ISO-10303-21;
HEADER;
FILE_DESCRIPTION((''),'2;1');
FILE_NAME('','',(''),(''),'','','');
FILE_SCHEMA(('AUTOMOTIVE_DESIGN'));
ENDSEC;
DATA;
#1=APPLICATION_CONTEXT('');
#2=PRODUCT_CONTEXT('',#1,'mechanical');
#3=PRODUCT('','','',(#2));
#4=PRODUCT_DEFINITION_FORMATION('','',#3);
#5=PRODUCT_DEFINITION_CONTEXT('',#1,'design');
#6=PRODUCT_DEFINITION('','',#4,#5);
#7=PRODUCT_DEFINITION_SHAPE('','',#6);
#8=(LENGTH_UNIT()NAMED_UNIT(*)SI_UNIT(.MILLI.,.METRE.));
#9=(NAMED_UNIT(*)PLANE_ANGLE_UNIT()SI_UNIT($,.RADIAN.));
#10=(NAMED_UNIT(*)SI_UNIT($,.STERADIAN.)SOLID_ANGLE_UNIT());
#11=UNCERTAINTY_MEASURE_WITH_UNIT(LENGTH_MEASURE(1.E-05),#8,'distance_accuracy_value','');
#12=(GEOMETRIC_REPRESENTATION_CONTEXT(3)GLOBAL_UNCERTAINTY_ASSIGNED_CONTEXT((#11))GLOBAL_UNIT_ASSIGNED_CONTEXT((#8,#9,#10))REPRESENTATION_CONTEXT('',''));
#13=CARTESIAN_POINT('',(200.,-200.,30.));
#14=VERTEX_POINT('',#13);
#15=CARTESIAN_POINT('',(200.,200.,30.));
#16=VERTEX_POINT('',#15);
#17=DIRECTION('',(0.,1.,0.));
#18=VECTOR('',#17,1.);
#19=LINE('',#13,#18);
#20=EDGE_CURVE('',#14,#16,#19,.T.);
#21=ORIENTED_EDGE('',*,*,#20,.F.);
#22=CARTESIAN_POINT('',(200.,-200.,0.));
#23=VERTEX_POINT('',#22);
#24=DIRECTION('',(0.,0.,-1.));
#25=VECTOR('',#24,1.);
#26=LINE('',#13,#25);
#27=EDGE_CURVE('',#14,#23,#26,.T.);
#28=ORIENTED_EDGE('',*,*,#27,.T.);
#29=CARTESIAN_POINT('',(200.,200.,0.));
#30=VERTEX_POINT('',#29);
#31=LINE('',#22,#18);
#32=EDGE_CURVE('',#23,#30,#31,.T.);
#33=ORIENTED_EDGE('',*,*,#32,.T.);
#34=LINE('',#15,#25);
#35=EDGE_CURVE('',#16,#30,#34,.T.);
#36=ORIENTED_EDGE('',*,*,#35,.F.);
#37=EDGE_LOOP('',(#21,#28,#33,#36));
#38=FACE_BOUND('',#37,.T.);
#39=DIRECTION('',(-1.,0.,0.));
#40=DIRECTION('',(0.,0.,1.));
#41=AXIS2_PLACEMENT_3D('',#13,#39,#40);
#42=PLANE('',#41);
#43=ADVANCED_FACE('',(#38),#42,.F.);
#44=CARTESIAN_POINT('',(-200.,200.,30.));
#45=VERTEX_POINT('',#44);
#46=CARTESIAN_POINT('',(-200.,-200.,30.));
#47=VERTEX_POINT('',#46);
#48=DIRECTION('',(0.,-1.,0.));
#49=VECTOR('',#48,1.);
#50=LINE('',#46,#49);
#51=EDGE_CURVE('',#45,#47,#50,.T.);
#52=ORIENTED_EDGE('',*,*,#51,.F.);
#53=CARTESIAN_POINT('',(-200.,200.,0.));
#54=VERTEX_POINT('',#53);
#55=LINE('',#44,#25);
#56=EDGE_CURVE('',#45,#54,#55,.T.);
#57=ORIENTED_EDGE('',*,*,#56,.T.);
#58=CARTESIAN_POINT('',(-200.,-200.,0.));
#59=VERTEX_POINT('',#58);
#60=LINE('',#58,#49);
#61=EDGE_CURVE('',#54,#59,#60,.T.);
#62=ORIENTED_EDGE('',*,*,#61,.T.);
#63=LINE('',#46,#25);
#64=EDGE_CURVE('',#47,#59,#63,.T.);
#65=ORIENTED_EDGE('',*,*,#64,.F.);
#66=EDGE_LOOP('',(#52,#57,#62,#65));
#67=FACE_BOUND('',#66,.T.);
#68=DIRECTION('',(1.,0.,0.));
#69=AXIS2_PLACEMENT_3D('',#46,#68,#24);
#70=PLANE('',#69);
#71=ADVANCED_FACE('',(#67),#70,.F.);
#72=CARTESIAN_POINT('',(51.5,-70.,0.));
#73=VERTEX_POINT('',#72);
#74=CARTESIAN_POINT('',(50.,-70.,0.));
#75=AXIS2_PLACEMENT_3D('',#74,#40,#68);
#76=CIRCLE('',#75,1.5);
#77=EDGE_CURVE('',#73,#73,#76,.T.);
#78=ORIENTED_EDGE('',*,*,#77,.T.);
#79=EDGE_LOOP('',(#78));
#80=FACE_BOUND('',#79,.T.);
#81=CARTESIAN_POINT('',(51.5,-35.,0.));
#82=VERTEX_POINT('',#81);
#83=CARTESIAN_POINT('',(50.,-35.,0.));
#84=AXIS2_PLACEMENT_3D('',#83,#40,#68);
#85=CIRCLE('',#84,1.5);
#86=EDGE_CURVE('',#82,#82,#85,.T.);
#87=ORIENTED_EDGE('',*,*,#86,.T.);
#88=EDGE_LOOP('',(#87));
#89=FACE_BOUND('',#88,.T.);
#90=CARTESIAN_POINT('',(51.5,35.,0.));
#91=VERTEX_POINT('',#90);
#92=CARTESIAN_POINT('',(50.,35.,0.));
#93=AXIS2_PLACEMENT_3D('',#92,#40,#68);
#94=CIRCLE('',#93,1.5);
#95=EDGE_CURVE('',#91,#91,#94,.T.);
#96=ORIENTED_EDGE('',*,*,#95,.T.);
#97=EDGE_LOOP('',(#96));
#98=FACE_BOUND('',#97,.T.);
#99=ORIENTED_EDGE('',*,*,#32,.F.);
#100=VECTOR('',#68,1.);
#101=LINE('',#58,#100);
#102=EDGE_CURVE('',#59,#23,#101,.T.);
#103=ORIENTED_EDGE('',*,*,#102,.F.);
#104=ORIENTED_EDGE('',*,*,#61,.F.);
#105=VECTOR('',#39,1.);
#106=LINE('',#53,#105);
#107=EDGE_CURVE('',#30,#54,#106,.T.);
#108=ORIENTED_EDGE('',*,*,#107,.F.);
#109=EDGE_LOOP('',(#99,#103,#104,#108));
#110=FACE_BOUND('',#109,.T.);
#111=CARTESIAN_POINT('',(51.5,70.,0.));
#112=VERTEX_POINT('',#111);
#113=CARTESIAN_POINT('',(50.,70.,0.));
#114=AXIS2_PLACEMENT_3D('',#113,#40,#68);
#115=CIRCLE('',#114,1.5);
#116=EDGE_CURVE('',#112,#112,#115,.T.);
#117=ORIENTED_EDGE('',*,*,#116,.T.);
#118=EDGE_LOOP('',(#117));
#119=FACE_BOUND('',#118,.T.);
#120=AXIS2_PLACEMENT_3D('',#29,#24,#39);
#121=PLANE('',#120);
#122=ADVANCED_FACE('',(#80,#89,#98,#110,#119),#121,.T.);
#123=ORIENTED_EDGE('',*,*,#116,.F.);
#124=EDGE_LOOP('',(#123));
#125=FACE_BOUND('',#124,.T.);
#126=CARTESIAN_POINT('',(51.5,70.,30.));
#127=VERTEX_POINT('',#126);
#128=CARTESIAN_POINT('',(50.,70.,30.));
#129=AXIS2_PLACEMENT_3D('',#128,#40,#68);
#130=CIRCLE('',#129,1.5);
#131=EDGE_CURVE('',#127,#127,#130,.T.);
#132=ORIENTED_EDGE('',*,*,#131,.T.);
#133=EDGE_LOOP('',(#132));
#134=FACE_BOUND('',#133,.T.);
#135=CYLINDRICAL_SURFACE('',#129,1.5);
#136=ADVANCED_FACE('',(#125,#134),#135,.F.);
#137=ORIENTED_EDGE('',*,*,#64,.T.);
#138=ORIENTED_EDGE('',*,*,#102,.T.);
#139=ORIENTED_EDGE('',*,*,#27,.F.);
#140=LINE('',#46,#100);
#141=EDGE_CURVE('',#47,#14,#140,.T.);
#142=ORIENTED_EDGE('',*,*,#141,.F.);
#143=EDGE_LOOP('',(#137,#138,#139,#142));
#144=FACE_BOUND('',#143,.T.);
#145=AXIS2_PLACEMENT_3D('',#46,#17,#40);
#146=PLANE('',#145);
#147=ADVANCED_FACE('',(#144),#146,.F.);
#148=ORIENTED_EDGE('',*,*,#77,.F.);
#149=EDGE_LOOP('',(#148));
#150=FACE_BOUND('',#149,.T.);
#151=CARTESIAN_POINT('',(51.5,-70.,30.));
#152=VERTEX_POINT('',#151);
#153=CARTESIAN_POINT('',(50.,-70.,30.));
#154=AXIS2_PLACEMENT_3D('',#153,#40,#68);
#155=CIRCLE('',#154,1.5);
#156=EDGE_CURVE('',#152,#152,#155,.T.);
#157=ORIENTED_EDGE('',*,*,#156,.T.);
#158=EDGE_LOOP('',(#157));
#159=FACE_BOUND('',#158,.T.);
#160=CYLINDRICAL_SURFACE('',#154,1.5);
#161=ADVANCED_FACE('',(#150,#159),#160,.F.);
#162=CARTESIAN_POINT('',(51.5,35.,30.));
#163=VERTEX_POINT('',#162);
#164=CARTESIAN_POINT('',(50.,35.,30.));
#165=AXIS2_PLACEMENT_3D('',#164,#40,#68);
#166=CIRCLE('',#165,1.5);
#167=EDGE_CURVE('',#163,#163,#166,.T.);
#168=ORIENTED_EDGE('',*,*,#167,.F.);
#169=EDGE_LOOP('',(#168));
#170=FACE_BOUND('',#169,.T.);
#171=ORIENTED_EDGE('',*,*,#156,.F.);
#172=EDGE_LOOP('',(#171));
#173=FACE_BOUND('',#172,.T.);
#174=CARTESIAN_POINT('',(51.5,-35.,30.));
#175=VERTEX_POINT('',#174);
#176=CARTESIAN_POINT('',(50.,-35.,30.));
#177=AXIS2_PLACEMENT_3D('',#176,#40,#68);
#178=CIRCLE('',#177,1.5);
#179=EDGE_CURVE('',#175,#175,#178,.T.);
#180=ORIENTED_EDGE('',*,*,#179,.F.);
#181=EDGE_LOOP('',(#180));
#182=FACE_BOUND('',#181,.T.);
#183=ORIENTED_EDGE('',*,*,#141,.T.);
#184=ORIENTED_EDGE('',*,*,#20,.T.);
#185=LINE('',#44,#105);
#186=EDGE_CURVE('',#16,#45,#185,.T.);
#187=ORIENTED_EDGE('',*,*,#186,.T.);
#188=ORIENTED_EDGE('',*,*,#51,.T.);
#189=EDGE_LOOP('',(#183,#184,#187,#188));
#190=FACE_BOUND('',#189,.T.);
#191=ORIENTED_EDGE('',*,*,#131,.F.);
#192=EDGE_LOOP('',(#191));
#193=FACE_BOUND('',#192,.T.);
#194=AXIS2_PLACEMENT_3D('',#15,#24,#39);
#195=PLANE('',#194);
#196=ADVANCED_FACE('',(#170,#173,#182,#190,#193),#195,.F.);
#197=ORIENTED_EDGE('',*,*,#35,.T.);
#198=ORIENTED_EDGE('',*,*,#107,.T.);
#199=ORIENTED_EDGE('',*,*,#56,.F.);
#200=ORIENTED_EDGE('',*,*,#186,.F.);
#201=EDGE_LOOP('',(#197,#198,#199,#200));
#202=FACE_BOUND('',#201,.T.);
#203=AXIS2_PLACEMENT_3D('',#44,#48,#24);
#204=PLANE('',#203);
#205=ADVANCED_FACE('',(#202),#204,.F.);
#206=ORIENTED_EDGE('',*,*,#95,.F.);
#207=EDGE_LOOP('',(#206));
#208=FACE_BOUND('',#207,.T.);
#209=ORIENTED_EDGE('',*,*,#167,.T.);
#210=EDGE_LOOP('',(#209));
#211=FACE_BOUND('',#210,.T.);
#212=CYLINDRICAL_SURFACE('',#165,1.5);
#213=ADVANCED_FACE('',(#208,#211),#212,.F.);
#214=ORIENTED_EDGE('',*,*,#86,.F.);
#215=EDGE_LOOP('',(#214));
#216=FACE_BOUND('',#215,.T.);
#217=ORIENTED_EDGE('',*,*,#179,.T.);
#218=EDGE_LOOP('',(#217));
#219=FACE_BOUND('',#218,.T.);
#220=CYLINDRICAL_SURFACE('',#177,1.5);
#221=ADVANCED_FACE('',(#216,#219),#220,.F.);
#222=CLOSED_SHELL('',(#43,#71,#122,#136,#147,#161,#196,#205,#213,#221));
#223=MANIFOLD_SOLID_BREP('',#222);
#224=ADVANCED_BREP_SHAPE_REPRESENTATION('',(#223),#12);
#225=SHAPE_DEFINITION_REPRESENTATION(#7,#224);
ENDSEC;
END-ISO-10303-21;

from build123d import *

# Parameters (mm, degrees)
ESQUISSE1_W                          = 400
ESQUISSE1_H                          = 400
EXTRUSION1_DEPTH                     = 30
ESQUISSE4_W                          = 1.5
ESQUISSE4_H                          = 30
TROU_TARAUD_M32_AT_2_COUNT           = 2
TROU_TARAUD_M32_AT_2_PITCH           = 408.679576779
TROU_TARAUD_M32_AT_3_COUNT           = 2
TROU_TARAUD_M32_AT_3_PITCH           = 332.592834859
R_P_TITION_LIN_AIRE1_COUNT           = 5
R_P_TITION_LIN_AIRE1_PITCH           = 35
R_P_TITION_LIN_AIRE1_COPY_1_SKETCH_W = 1.5
R_P_TITION_LIN_AIRE1_COPY_1_SKETCH_H = 30
R_P_TITION_LIN_AIRE1_COPY_2_SKETCH_W = 1.5
R_P_TITION_LIN_AIRE1_COPY_2_SKETCH_H = 30
R_P_TITION_LIN_AIRE1_COPY_3_SKETCH_W = 1.5
R_P_TITION_LIN_AIRE1_COPY_3_SKETCH_H = 30
R_P_TITION_LIN_AIRE1_COPY_4_SKETCH_W = 1.5
R_P_TITION_LIN_AIRE1_COPY_4_SKETCH_H = 30
R_P_TITION_LIN_AIRE1_COPY_5_SKETCH_W = 1.5
R_P_TITION_LIN_AIRE1_COPY_5_SKETCH_H = 30
R_P_TITION_LIN_AIRE1_COPY_6_SKETCH_W = 1.5
R_P_TITION_LIN_AIRE1_COPY_6_SKETCH_H = 30


with BuildPart() as part:
    # Esquisse1 → Extrusion1 (new body)
    with BuildSketch(Plane.XY):
        Rectangle(ESQUISSE1_W, ESQUISSE1_H)
    extrude(amount=EXTRUSION1_DEPTH)

    # Esquisse4 → Trou taraudé M32 (revolve, cut)
    with BuildSketch(Plane(origin=(50, 70, 30), x_dir=(0, -1, 0), z_dir=(1, 0, 0))):
        with Locations((0.75, 15)):
            Rectangle(ESQUISSE4_W, ESQUISSE4_H)
    trou_taraud_m32 = revolve(axis=Axis((50, 70, 36.35), (0, 0, -1)), mode=Mode.SUBTRACT)

    # Trou taraudé M32 at 2: Trou taraudé M32 ×2
    with Locations(*[Vector(-0.8014096921823338, -0.5981157958758629, 0) * (i * TROU_TARAUD_M32_AT_2_PITCH) for i in range(1, TROU_TARAUD_M32_AT_2_COUNT)]):
        add(trou_taraud_m32, mode=Mode.SUBTRACT)

    # Trou taraudé M32 at 3: Trou taraudé M32 ×2
    with Locations(*[Vector(-0.8119019030947789, -0.5837938846468643, 0) * (i * TROU_TARAUD_M32_AT_3_PITCH) for i in range(1, TROU_TARAUD_M32_AT_3_COUNT)]):
        add(trou_taraud_m32, mode=Mode.SUBTRACT)

    # Répétition linéaire1: Trou taraudé M32 ×5, 1 skipped
    with Locations(*[(0, -i * R_P_TITION_LIN_AIRE1_PITCH, 0) for i in range(1, R_P_TITION_LIN_AIRE1_COUNT) if i not in (2,)]):
        add(trou_taraud_m32, mode=Mode.SUBTRACT)

    # Répétition linéaire1 copy 1 sketch → Répétition linéaire1 copy 1 (revolve, cut)
    with BuildSketch(Plane(origin=(-277.519773828, -209.437710323, 30), x_dir=(0, -1, 0), z_dir=(1, 0, 0))):
        with Locations((0.75, 15)):
            Rectangle(R_P_TITION_LIN_AIRE1_COPY_1_SKETCH_W, R_P_TITION_LIN_AIRE1_COPY_1_SKETCH_H)
    revolve(axis=Axis((-277.519773828, -209.437710323, 36.35), (0, 0, -1)), mode=Mode.SUBTRACT)

    # Répétition linéaire1 copy 2 sketch → Répétition linéaire1 copy 2 (revolve, cut)
    with BuildSketch(Plane(origin=(-277.519773828, -279.437710323, 30), x_dir=(0, -1, 0), z_dir=(1, 0, 0))):
        with Locations((0.75, 15)):
            Rectangle(R_P_TITION_LIN_AIRE1_COPY_2_SKETCH_W, R_P_TITION_LIN_AIRE1_COPY_2_SKETCH_H)
    revolve(axis=Axis((-277.519773828, -279.437710323, 36.35), (0, 0, -1)), mode=Mode.SUBTRACT)

    # Répétition linéaire1 copy 3 sketch → Répétition linéaire1 copy 3 (revolve, cut)
    with BuildSketch(Plane(origin=(-277.519773828, -314.437710323, 30), x_dir=(0, -1, 0), z_dir=(1, 0, 0))):
        with Locations((0.75, 15)):
            Rectangle(R_P_TITION_LIN_AIRE1_COPY_3_SKETCH_W, R_P_TITION_LIN_AIRE1_COPY_3_SKETCH_H)
    revolve(axis=Axis((-277.519773828, -314.437710323, 36.35), (0, 0, -1)), mode=Mode.SUBTRACT)

    # Répétition linéaire1 copy 4 sketch → Répétition linéaire1 copy 4 (revolve, cut)
    with BuildSketch(Plane(origin=(-220.032755578, -159.165663068, 30), x_dir=(0, -1, 0), z_dir=(1, 0, 0))):
        with Locations((0.75, 15)):
            Rectangle(R_P_TITION_LIN_AIRE1_COPY_4_SKETCH_W, R_P_TITION_LIN_AIRE1_COPY_4_SKETCH_H)
    revolve(axis=Axis((-220.032755578, -159.165663068, 36.35), (0, 0, -1)), mode=Mode.SUBTRACT)

    # Répétition linéaire1 copy 5 sketch → Répétition linéaire1 copy 5 (revolve, cut)
    with BuildSketch(Plane(origin=(-220.032755578, -229.165663068, 30), x_dir=(0, -1, 0), z_dir=(1, 0, 0))):
        with Locations((0.75, 15)):
            Rectangle(R_P_TITION_LIN_AIRE1_COPY_5_SKETCH_W, R_P_TITION_LIN_AIRE1_COPY_5_SKETCH_H)
    revolve(axis=Axis((-220.032755578, -229.165663068, 36.35), (0, 0, -1)), mode=Mode.SUBTRACT)

    # Répétition linéaire1 copy 6 sketch → Répétition linéaire1 copy 6 (revolve, cut)
    with BuildSketch(Plane(origin=(-220.032755578, -264.165663068, 30), x_dir=(0, -1, 0), z_dir=(1, 0, 0))):
        with Locations((0.75, 15)):
            Rectangle(R_P_TITION_LIN_AIRE1_COPY_6_SKETCH_W, R_P_TITION_LIN_AIRE1_COPY_6_SKETCH_H)
    revolve(axis=Axis((-220.032755578, -264.165663068, 36.35), (0, 0, -1)), mode=Mode.SUBTRACT)


solid = part.part
